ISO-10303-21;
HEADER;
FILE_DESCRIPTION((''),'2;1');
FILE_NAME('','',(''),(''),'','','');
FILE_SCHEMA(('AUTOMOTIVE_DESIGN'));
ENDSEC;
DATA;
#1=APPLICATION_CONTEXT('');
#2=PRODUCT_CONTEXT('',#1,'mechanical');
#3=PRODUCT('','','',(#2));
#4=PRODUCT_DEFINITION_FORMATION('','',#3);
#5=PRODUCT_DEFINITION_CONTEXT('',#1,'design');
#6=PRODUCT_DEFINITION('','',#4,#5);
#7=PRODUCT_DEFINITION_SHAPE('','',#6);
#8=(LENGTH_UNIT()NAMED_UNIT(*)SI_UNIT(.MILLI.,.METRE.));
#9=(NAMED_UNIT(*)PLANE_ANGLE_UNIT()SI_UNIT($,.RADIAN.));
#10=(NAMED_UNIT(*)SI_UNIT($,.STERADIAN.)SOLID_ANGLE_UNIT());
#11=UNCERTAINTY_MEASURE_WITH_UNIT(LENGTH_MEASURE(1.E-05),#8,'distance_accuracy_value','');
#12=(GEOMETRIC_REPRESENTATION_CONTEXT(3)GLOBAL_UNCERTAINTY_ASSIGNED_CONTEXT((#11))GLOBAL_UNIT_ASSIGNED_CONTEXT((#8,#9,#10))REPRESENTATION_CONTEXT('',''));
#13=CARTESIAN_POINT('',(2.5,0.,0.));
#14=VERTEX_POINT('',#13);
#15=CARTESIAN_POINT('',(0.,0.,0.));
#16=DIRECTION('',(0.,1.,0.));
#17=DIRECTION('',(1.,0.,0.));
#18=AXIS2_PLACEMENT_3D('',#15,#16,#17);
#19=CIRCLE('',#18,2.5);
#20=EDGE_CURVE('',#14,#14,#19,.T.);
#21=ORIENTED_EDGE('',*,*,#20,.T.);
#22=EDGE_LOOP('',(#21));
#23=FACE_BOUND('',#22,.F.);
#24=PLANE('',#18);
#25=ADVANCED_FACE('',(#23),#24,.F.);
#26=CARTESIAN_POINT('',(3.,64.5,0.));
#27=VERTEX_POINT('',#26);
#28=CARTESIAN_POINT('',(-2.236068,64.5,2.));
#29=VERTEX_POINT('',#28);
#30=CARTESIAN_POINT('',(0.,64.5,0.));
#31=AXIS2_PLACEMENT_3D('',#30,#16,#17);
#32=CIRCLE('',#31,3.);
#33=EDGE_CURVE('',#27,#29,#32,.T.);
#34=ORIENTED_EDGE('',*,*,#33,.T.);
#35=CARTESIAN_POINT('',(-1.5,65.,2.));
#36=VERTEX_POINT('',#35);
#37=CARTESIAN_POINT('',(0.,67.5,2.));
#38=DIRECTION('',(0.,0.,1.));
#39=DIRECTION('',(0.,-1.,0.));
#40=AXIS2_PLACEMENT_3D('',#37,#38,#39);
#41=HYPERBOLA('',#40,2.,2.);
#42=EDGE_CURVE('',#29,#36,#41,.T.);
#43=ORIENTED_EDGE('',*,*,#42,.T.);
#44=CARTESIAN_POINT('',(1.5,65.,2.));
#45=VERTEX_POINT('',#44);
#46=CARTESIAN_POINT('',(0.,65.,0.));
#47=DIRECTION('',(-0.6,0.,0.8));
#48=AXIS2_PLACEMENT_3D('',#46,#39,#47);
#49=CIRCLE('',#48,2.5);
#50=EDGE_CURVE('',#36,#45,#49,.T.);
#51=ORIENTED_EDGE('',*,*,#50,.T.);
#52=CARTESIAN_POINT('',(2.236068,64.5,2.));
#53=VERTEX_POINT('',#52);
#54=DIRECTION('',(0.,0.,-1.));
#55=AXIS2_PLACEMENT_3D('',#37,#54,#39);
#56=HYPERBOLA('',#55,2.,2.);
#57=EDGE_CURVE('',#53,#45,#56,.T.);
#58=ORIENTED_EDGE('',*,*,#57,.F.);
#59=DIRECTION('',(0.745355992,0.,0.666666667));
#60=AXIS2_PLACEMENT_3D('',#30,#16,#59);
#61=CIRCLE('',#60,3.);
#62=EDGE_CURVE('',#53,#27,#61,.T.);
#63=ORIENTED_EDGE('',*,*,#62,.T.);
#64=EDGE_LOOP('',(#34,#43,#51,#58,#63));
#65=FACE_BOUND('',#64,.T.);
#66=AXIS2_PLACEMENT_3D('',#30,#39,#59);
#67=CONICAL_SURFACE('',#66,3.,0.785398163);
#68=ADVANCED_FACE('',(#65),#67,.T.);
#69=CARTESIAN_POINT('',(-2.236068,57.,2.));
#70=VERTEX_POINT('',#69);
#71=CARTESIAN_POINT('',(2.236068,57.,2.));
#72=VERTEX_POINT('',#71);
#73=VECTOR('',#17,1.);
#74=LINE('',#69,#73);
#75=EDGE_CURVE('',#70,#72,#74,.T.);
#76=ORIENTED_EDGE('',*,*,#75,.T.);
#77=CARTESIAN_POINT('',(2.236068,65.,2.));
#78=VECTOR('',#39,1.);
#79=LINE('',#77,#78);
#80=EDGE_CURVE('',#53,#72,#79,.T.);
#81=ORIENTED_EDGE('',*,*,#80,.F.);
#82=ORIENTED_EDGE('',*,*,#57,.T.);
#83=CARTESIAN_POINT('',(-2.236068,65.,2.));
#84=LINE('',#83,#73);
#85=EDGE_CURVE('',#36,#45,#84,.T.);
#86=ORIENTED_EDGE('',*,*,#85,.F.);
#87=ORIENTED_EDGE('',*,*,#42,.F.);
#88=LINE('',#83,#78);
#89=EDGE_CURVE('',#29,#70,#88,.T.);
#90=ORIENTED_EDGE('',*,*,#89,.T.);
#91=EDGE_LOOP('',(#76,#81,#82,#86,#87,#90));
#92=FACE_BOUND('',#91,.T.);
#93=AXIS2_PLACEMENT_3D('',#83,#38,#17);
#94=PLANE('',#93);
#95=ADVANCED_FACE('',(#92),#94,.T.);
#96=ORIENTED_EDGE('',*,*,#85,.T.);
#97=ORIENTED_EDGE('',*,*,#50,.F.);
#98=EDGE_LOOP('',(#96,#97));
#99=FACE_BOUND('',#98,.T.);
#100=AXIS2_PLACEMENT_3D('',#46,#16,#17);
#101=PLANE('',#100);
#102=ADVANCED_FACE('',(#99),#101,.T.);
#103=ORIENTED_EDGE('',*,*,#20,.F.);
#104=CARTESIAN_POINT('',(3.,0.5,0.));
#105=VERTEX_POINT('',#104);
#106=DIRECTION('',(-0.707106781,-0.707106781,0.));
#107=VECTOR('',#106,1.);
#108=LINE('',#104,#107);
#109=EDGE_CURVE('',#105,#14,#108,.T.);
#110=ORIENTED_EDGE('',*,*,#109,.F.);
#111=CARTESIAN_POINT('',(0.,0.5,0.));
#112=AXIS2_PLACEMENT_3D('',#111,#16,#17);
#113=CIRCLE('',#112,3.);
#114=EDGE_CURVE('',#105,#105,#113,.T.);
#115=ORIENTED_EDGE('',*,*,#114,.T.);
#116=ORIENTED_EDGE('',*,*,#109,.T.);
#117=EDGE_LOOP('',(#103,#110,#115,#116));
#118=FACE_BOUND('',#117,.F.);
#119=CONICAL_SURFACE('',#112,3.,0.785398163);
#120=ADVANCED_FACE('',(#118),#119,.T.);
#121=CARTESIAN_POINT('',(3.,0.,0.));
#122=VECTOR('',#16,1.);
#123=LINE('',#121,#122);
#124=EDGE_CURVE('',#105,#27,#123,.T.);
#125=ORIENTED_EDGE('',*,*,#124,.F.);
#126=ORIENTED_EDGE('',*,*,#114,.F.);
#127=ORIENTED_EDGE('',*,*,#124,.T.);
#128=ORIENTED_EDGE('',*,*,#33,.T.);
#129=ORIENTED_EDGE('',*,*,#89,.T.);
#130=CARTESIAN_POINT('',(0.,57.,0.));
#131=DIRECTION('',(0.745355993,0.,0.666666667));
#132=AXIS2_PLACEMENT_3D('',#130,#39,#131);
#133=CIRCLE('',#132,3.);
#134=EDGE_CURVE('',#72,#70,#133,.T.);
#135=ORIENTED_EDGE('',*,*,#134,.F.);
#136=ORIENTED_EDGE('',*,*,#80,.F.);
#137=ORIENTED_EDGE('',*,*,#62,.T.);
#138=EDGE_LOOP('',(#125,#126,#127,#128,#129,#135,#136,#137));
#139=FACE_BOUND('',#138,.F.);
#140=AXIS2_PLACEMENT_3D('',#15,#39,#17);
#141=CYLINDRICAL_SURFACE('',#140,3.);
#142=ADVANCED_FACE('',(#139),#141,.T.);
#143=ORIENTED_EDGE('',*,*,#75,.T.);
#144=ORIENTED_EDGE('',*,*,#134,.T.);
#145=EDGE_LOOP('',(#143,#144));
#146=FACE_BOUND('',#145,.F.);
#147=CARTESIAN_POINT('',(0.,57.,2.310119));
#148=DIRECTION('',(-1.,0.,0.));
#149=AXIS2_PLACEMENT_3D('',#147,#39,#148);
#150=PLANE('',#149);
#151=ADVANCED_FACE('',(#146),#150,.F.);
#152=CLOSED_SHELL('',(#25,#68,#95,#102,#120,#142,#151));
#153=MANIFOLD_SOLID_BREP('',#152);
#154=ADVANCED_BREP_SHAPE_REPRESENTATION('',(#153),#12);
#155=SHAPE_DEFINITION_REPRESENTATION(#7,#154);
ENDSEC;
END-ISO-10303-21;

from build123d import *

# Parameters (mm, degrees)
SKETCH1_R           = 3
BOSS_EXTRUDE1_DEPTH = 65
CUT_EXTRUDE1_DEPTH  = 8
CHAMFER1_SIZE       = 0.5


with BuildPart() as part:
    # Sketch1 → Boss-Extrude1 (new body)
    with BuildSketch(Plane(origin=(0, 0, 0), x_dir=(1, 0, 0), z_dir=(0, 1, 0))):
        Circle(SKETCH1_R)
    extrude(amount=BOSS_EXTRUDE1_DEPTH)

    # Sketch2 → Cut-Extrude1 (cut)
    with BuildSketch(Plane(origin=(0, 65, 0), x_dir=(1, 0, 0), z_dir=(0, 1, 0))):
        with BuildLine():
            Line((-2.236067977, -2), (2.236067977, -2))
            ThreePointArc((2.236067977, -2), (0, -3), (-2.236067977, -2))
        make_face()
    extrude(amount=-CUT_EXTRUDE1_DEPTH, mode=Mode.SUBTRACT)

    # Chamfer1
    chamfer1_edges = [part.edges().sort_by_distance(p)[0] for p in [
        (-3, 0, 0),
        (-1.070466269, 65, -2.802517077),
    ]]
    chamfer(chamfer1_edges, length=CHAMFER1_SIZE)


solid = part.part
